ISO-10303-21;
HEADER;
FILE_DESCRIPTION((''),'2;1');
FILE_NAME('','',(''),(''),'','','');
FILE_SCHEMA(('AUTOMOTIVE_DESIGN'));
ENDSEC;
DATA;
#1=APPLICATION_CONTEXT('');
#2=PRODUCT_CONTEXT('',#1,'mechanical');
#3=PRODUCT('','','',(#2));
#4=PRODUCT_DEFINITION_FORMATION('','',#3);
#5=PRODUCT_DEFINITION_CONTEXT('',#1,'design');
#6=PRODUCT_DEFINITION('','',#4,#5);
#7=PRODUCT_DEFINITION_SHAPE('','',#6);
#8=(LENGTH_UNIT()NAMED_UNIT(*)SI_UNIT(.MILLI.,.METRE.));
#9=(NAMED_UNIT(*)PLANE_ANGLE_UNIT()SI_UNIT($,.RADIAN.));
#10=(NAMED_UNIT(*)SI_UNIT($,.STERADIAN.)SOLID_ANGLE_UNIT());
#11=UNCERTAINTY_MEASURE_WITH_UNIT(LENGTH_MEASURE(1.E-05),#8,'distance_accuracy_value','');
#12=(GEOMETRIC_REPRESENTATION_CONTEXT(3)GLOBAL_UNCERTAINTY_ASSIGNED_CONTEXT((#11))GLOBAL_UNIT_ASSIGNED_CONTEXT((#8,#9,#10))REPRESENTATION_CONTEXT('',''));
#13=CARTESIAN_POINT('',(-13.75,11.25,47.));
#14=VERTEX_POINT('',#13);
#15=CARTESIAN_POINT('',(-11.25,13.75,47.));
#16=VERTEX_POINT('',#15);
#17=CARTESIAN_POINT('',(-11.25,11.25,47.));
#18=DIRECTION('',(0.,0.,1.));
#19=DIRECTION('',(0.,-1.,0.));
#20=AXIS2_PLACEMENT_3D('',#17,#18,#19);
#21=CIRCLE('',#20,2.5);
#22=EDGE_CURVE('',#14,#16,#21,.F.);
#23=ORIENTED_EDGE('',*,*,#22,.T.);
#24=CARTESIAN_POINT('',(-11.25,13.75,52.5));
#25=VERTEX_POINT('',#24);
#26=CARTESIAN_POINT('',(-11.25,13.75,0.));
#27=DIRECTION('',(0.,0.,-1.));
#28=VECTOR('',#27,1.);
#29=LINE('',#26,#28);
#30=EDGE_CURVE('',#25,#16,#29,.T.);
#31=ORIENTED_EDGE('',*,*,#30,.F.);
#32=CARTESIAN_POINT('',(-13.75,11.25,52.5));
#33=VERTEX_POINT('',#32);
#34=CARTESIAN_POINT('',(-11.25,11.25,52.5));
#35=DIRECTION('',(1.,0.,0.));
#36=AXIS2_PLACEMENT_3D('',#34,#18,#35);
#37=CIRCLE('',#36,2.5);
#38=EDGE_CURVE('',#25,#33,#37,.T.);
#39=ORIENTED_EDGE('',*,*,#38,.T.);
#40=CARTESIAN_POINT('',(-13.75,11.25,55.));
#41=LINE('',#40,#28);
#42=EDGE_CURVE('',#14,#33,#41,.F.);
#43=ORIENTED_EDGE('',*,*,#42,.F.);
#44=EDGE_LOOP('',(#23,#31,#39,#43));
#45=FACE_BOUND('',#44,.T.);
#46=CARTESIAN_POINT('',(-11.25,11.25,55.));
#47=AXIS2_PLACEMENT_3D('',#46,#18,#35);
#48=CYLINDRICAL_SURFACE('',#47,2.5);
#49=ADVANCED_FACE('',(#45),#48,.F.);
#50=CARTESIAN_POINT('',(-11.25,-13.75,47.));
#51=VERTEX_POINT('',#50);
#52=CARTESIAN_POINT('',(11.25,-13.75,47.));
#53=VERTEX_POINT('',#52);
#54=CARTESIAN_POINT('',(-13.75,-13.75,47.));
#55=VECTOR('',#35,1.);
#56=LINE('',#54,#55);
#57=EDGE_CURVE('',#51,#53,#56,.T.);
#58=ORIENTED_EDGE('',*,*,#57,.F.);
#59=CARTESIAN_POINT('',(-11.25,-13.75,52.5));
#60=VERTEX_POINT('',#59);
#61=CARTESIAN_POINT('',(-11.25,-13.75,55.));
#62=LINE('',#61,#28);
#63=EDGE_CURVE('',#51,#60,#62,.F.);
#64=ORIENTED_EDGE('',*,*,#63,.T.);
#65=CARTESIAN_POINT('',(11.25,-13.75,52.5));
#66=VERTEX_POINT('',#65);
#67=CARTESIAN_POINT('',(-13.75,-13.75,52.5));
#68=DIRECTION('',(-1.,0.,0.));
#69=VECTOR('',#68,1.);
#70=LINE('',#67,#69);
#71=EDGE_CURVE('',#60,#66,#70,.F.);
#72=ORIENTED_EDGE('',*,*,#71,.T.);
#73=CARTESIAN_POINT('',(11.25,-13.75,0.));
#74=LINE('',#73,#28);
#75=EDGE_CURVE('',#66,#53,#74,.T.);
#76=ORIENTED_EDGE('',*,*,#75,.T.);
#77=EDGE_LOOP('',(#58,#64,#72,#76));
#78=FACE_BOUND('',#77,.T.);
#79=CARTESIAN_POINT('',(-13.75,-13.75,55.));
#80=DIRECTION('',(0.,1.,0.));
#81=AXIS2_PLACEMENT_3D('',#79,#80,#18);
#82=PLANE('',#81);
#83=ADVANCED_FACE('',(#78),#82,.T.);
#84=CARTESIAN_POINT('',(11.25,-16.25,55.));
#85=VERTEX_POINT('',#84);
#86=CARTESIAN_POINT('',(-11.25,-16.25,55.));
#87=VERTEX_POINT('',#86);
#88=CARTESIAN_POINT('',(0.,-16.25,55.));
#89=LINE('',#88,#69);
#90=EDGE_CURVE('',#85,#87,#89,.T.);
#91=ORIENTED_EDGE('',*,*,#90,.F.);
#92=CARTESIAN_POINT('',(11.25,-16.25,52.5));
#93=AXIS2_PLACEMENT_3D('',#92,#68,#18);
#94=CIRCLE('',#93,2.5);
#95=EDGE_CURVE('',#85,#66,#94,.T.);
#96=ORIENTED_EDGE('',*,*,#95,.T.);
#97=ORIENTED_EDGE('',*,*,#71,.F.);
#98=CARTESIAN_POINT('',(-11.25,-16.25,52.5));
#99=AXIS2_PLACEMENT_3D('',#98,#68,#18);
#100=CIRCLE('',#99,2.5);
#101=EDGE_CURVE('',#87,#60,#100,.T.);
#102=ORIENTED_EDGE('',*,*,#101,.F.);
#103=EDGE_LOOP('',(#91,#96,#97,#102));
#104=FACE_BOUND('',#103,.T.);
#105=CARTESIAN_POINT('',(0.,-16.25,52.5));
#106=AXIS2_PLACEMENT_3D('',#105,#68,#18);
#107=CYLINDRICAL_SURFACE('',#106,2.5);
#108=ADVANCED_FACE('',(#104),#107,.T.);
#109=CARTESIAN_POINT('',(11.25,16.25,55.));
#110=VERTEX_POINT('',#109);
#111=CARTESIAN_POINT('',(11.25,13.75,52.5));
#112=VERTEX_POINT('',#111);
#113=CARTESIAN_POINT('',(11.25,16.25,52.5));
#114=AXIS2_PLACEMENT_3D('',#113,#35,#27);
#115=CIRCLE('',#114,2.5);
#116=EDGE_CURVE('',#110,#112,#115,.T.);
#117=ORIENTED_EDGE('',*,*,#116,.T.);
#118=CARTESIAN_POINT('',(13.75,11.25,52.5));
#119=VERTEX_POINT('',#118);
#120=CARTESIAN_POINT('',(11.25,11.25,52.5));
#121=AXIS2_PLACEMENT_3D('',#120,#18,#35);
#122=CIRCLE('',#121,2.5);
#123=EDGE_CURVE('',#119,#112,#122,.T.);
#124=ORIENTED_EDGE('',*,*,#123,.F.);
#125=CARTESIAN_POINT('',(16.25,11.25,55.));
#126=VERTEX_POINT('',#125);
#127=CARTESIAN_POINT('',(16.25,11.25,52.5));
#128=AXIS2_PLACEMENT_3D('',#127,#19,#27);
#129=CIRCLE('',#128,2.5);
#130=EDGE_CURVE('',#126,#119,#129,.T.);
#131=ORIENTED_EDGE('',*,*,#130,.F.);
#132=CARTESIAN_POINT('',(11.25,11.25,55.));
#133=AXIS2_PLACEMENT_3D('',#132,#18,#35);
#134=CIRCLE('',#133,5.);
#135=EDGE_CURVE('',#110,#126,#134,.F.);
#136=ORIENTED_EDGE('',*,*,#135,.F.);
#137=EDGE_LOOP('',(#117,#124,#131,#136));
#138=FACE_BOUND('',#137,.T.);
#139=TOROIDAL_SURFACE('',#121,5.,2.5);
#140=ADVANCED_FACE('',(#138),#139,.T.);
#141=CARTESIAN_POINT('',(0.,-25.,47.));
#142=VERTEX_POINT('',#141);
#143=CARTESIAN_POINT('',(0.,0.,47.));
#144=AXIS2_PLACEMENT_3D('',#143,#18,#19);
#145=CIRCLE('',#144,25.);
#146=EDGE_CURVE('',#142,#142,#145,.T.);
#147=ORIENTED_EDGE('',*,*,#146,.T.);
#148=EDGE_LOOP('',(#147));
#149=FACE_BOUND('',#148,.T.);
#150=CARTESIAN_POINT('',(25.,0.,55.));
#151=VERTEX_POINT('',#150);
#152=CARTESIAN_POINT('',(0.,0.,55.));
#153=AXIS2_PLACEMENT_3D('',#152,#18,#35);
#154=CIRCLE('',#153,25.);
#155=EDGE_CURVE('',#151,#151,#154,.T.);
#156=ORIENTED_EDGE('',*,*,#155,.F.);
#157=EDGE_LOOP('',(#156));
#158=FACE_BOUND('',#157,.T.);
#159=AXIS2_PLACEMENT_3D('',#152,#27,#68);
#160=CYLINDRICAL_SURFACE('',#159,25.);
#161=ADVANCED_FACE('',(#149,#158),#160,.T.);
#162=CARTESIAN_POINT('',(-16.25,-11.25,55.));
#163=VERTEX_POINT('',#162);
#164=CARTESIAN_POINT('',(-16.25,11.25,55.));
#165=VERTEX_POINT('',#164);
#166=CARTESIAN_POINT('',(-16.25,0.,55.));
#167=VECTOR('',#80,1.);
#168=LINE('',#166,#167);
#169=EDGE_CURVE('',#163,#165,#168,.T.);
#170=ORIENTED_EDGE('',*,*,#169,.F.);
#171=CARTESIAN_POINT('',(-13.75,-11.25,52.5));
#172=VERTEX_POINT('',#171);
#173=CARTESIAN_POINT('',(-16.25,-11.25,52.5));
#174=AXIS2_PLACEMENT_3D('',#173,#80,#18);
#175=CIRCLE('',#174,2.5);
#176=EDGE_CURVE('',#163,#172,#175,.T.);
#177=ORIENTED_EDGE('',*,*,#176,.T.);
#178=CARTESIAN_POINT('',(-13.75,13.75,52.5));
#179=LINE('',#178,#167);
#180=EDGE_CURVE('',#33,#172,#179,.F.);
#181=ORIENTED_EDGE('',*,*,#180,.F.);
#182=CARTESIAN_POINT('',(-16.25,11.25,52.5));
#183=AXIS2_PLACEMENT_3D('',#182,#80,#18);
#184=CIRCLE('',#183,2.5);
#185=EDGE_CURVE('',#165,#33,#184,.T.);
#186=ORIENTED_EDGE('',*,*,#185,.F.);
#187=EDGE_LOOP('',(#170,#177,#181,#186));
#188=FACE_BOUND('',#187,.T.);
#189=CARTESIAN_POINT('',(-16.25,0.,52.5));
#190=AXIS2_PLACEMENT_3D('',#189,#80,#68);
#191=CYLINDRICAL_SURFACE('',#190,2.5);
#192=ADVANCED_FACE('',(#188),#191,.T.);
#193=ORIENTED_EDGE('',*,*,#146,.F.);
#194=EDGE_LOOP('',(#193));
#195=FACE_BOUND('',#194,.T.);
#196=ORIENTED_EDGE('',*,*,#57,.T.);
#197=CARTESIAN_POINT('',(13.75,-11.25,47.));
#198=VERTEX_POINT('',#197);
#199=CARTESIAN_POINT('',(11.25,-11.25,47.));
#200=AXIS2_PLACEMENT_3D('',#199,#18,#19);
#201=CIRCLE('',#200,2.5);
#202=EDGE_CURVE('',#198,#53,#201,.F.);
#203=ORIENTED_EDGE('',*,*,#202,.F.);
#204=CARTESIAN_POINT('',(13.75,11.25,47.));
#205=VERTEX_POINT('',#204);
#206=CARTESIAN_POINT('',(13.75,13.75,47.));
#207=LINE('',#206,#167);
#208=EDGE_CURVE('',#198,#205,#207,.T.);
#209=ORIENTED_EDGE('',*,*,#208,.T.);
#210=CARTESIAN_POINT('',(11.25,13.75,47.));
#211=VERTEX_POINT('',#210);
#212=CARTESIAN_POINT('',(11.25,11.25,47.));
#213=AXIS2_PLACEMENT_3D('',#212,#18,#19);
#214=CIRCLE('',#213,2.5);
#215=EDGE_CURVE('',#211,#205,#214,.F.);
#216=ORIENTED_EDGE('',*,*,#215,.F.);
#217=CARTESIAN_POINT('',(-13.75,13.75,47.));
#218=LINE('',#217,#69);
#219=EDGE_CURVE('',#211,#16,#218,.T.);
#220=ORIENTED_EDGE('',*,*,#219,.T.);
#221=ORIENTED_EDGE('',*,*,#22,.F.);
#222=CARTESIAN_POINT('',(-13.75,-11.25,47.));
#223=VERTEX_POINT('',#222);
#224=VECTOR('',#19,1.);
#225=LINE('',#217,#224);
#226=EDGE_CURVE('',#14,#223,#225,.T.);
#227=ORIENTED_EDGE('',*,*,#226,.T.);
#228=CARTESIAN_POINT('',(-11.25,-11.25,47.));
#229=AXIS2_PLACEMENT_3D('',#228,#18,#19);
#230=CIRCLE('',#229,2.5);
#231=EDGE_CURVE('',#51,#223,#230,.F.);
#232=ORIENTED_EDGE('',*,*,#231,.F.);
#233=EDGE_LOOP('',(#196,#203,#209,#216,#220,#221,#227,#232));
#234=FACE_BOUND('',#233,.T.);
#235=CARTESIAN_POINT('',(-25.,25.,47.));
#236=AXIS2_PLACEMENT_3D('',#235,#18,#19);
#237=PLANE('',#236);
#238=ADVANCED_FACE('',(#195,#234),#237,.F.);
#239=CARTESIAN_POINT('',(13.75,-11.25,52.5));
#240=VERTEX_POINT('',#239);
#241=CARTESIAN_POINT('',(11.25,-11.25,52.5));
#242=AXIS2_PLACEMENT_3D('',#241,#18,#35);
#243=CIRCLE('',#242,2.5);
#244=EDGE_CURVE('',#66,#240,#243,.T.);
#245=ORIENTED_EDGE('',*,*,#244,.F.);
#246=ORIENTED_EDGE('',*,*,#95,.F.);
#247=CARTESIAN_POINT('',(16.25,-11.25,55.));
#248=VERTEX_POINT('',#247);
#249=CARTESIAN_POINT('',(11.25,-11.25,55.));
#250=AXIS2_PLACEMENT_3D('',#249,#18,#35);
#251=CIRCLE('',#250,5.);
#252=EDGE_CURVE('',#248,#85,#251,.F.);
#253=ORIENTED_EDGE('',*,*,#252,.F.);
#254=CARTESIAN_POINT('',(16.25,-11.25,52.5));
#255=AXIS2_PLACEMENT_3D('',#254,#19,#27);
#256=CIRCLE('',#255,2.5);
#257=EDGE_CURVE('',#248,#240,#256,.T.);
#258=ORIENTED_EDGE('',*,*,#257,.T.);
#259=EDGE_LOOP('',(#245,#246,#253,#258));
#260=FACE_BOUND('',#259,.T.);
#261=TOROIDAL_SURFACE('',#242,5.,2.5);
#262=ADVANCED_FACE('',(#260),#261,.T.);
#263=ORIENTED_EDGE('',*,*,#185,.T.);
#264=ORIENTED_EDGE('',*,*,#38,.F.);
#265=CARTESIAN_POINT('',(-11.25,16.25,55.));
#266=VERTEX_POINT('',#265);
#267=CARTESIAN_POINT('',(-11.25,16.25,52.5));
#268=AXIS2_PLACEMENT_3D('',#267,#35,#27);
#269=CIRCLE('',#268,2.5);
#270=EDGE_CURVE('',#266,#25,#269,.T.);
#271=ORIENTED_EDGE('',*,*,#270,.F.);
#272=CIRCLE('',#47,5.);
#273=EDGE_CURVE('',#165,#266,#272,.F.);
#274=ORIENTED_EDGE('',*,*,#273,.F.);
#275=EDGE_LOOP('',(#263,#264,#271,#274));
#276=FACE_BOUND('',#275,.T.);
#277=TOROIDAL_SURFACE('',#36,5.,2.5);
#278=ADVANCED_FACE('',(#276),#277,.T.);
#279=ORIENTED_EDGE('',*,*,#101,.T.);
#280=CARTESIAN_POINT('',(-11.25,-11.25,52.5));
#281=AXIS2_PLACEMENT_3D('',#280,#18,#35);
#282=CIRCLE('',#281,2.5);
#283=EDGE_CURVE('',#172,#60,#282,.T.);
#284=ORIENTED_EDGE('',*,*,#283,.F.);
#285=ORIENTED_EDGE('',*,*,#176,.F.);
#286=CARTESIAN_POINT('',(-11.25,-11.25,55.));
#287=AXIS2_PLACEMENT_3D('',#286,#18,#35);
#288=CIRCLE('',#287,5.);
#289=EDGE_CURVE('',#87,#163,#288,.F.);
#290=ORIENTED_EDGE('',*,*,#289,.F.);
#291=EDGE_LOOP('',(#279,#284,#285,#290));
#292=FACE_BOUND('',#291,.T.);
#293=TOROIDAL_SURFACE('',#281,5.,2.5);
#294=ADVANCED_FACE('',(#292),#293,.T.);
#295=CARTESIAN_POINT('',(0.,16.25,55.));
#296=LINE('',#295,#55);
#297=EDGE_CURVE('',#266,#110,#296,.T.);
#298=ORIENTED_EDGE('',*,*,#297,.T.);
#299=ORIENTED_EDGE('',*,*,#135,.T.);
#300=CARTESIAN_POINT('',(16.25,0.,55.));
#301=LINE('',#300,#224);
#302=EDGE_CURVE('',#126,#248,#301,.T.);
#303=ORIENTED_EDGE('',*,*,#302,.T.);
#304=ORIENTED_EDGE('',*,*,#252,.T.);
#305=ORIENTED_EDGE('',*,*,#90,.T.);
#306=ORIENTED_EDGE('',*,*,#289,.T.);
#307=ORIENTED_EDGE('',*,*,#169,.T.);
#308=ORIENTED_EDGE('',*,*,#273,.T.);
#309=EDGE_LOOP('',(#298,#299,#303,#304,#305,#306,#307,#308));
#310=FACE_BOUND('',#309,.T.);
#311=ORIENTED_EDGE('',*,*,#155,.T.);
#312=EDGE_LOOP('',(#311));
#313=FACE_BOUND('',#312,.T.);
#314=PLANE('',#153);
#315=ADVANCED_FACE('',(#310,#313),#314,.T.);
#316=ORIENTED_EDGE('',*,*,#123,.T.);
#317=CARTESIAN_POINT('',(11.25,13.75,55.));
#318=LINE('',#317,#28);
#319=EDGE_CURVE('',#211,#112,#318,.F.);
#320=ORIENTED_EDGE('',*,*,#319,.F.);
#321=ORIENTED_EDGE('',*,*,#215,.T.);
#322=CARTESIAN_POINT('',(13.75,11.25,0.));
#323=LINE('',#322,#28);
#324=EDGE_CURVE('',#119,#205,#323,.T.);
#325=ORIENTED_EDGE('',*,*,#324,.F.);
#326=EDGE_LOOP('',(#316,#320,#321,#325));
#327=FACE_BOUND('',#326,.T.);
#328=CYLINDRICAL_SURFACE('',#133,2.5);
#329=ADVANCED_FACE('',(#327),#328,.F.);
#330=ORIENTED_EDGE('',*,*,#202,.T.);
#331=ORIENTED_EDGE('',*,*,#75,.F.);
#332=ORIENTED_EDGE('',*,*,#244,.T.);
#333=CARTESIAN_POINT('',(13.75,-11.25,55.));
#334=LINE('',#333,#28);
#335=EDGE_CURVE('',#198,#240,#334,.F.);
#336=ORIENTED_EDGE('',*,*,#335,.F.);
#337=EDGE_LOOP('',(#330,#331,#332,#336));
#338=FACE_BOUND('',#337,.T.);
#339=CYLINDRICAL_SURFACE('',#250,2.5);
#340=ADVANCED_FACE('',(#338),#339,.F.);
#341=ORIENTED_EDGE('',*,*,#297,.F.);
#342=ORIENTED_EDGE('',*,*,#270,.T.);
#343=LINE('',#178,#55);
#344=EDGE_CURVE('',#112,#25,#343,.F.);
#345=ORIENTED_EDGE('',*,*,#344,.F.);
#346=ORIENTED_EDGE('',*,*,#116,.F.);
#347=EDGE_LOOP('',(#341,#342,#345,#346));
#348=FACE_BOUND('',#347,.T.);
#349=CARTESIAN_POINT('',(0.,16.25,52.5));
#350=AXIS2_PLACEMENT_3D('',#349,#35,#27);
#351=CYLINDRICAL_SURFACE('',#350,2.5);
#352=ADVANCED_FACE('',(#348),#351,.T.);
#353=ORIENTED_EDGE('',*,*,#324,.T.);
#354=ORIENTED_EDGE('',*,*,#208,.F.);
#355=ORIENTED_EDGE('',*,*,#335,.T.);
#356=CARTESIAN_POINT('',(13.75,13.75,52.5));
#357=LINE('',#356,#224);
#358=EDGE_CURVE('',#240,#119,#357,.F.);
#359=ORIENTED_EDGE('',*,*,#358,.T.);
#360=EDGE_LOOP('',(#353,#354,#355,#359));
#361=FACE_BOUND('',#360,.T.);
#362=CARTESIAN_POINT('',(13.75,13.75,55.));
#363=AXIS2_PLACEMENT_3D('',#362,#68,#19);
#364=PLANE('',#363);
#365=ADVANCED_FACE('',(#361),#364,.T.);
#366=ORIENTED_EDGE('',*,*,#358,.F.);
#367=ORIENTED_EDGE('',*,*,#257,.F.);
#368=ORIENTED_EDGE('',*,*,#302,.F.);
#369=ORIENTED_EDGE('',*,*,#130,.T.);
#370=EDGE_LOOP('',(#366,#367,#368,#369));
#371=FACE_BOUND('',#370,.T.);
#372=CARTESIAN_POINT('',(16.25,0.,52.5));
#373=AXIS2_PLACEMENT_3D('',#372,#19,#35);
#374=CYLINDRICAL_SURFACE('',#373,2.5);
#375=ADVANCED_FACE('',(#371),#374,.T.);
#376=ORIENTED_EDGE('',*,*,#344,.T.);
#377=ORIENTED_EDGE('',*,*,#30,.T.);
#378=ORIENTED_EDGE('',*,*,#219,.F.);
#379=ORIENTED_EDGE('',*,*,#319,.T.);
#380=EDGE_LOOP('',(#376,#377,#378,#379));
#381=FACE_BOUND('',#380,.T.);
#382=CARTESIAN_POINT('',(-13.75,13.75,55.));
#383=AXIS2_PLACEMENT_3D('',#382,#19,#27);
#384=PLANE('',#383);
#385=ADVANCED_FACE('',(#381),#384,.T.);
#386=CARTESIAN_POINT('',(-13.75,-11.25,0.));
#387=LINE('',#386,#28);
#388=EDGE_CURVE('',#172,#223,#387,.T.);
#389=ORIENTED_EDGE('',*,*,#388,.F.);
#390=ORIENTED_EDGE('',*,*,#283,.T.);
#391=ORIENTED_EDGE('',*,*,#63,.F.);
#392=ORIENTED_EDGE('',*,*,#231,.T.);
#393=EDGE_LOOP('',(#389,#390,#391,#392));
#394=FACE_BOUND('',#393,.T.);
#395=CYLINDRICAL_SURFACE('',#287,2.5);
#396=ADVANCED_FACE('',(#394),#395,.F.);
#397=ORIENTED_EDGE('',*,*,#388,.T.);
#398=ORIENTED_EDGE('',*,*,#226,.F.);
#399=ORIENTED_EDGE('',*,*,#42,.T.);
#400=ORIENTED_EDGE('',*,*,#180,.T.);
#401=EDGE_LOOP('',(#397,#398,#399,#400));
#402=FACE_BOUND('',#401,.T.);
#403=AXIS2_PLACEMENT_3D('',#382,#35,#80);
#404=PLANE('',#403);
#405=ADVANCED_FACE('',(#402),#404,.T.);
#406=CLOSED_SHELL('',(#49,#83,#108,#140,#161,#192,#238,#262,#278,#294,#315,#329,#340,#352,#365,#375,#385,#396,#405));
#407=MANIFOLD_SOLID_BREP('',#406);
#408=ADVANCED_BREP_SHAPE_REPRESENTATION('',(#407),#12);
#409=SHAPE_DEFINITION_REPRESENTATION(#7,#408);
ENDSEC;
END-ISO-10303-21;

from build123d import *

# Parameters (mm, degrees)
SKETCH1_R               = 25
SKETCH1_W               = 27.5
SKETCH1_H               = 27.5
BOSS_EXTRUDE1_DEPTH     = 55
BOSS_EXTRUDE2_START     = 5
SKETCH2_R               = 25
BOSS_EXTRUDE2_DEPTH     = 5
SKETCH3_W               = 25
SKETCH3_H               = 50
BOSS_EXTRUDE3_DEPTH     = 80
FILLET1_R               = 2.5
FILLET2_R               = 2.5
SKETCH21_W              = 54.3
SKETCH21_H              = 20.3
CUT_EXTRUDE1_DEPTH      = 11.3
SKETCH22_W              = 40.3
SKETCH22_H              = 20.3
CUT_EXTRUDE2_DEPTH      = 93.059763198
CUT_EXTRUDE3_DEPTH      = 88.464278423
SKETCH23_R              = 2.15
CUT_EXTRUDE4_DEPTH      = 93.059763198
CUT_EXTRUDE7_DEPTH      = 27.5
CUT_EXTRUDE8_DEPTH      = 93.059763198
CUT_EXTRUDE8_DEPTH_BACK = 93.059763198
SKETCH25_W              = 132
SKETCH25_H              = 50


with BuildPart() as part:
    # Sketch1 → Boss-Extrude1 (new body)
    with BuildSketch(Plane.XY):
        Circle(SKETCH1_R)
        Rectangle(SKETCH1_W, SKETCH1_H, mode=Mode.SUBTRACT)
    extrude(amount=BOSS_EXTRUDE1_DEPTH)

    # Sketch2 → Boss-Extrude2 (add)
    with BuildSketch(Plane(origin=(0, 0, 0), x_dir=(-1, 0, 0), z_dir=(0, 0, -1)).offset(BOSS_EXTRUDE2_START)):
        Circle(SKETCH2_R)
    extrude(amount=-BOSS_EXTRUDE2_DEPTH)

    # Sketch3 → Boss-Extrude3 (add)
    with BuildSketch(Plane(origin=(0, 0, -5), x_dir=(-1, 0, 0), z_dir=(0, 0, -1))):
        with Locations((12.5, 0)):
            Rectangle(SKETCH3_W, SKETCH3_H)
    extrude(amount=BOSS_EXTRUDE3_DEPTH)

    # Fillet1
    fillet1_edges = [part.edges().sort_by_distance(p)[0] for p in [
        (-13.75, 13.75, 27.5),
        (13.75, 13.75, 27.5),
        (-13.75, -13.75, 27.5),
        (13.75, -13.75, 27.5),
    ]]
    fillet(fillet1_edges, radius=FILLET1_R)

    # Fillet2
    fillet2_edges = [part.edges().sort_by_distance(p)[0] for p in [
        (13.75, 0, 55),
    ]]
    fillet(fillet2_edges, radius=FILLET2_R)

    # Sketch21 → Cut-Extrude1 (cut)
    with BuildSketch(Plane(origin=(0, 0, 0), x_dir=(0, 0, -1), z_dir=(1, 0, 0))):
        with Locations((51.85, 0)):
            Rectangle(SKETCH21_W, SKETCH21_H)
    extrude(amount=-CUT_EXTRUDE1_DEPTH, mode=Mode.SUBTRACT)

    # Sketch22 → Cut-Extrude2 (cut, through all)
    with BuildSketch(Plane(origin=(0, 0, 0), x_dir=(0, 0, -1), z_dir=(1, 0, 0))):
        with Locations((51.7, 0)):
            Rectangle(SKETCH22_W, SKETCH22_H)
    extrude(amount=-CUT_EXTRUDE2_DEPTH, mode=Mode.SUBTRACT)

    # Sketch18 → Cut-Extrude3 (cut, through all)
    with BuildSketch(Plane.XY.offset(-5)):
        with BuildLine():
            Line((-25, -25), (0, -25))
            ThreePointArc((0, -25), (-17.67766953, -17.67766953), (-25, 0))
            Line((-25, 0), (-25, -25))
        make_face()
        with BuildLine():
            Line((-25, 25), (-25, 0))
            ThreePointArc((-25, 0), (-17.67766953, 17.67766953), (0, 25))
            Line((0, 25), (-25, 25))
        make_face()
    extrude(amount=-CUT_EXTRUDE3_DEPTH, mode=Mode.SUBTRACT)

    # Sketch23 → Cut-Extrude4 (cut, through all)
    with BuildSketch(Plane(origin=(0, 0, 0), x_dir=(0, 0, -1), z_dir=(1, 0, 0))):
        with Locations((75.85, 5.25)):
            Circle(SKETCH23_R)
        with Locations((75.85, -5.25)):
            Circle(SKETCH23_R)
        with Locations((27.85, 5.25)):
            Circle(SKETCH23_R)
        with Locations((27.85, -5.25)):
            Circle(SKETCH23_R)
    extrude(amount=-CUT_EXTRUDE4_DEPTH, mode=Mode.SUBTRACT)

    # Sketch24 → Cut-Extrude7 (cut, symmetric)
    with BuildSketch(Plane(origin=(0, 0, -51.7), x_dir=(-1, 0, 0), z_dir=(0, 0, -1))):
        with BuildLine():
            Line((13.3, 10.15), (13.3, -10.15))
            Line((13.3, -10.15), (22.846826913, -10.15))
            ThreePointArc((22.846826913, -10.15), (25, 0), (22.846826913, 10.15))
            Line((22.846826913, 10.15), (13.3, 10.15))
        make_face()
    extrude(amount=CUT_EXTRUDE7_DEPTH, both=True, mode=Mode.SUBTRACT)

    # Sketch25 → Cut-Extrude8 (cut, two sides: drawn at the far end of the back side and taken through both)
    with BuildSketch(Plane(origin=(0, 0, 0), x_dir=(0, 0, -1), z_dir=(1, 0, 0)).offset(-CUT_EXTRUDE8_DEPTH_BACK)):
        with Locations((19, 0)):
            Rectangle(SKETCH25_W, SKETCH25_H)
    extrude(amount=CUT_EXTRUDE8_DEPTH + CUT_EXTRUDE8_DEPTH_BACK, mode=Mode.SUBTRACT)


solid = part.part
